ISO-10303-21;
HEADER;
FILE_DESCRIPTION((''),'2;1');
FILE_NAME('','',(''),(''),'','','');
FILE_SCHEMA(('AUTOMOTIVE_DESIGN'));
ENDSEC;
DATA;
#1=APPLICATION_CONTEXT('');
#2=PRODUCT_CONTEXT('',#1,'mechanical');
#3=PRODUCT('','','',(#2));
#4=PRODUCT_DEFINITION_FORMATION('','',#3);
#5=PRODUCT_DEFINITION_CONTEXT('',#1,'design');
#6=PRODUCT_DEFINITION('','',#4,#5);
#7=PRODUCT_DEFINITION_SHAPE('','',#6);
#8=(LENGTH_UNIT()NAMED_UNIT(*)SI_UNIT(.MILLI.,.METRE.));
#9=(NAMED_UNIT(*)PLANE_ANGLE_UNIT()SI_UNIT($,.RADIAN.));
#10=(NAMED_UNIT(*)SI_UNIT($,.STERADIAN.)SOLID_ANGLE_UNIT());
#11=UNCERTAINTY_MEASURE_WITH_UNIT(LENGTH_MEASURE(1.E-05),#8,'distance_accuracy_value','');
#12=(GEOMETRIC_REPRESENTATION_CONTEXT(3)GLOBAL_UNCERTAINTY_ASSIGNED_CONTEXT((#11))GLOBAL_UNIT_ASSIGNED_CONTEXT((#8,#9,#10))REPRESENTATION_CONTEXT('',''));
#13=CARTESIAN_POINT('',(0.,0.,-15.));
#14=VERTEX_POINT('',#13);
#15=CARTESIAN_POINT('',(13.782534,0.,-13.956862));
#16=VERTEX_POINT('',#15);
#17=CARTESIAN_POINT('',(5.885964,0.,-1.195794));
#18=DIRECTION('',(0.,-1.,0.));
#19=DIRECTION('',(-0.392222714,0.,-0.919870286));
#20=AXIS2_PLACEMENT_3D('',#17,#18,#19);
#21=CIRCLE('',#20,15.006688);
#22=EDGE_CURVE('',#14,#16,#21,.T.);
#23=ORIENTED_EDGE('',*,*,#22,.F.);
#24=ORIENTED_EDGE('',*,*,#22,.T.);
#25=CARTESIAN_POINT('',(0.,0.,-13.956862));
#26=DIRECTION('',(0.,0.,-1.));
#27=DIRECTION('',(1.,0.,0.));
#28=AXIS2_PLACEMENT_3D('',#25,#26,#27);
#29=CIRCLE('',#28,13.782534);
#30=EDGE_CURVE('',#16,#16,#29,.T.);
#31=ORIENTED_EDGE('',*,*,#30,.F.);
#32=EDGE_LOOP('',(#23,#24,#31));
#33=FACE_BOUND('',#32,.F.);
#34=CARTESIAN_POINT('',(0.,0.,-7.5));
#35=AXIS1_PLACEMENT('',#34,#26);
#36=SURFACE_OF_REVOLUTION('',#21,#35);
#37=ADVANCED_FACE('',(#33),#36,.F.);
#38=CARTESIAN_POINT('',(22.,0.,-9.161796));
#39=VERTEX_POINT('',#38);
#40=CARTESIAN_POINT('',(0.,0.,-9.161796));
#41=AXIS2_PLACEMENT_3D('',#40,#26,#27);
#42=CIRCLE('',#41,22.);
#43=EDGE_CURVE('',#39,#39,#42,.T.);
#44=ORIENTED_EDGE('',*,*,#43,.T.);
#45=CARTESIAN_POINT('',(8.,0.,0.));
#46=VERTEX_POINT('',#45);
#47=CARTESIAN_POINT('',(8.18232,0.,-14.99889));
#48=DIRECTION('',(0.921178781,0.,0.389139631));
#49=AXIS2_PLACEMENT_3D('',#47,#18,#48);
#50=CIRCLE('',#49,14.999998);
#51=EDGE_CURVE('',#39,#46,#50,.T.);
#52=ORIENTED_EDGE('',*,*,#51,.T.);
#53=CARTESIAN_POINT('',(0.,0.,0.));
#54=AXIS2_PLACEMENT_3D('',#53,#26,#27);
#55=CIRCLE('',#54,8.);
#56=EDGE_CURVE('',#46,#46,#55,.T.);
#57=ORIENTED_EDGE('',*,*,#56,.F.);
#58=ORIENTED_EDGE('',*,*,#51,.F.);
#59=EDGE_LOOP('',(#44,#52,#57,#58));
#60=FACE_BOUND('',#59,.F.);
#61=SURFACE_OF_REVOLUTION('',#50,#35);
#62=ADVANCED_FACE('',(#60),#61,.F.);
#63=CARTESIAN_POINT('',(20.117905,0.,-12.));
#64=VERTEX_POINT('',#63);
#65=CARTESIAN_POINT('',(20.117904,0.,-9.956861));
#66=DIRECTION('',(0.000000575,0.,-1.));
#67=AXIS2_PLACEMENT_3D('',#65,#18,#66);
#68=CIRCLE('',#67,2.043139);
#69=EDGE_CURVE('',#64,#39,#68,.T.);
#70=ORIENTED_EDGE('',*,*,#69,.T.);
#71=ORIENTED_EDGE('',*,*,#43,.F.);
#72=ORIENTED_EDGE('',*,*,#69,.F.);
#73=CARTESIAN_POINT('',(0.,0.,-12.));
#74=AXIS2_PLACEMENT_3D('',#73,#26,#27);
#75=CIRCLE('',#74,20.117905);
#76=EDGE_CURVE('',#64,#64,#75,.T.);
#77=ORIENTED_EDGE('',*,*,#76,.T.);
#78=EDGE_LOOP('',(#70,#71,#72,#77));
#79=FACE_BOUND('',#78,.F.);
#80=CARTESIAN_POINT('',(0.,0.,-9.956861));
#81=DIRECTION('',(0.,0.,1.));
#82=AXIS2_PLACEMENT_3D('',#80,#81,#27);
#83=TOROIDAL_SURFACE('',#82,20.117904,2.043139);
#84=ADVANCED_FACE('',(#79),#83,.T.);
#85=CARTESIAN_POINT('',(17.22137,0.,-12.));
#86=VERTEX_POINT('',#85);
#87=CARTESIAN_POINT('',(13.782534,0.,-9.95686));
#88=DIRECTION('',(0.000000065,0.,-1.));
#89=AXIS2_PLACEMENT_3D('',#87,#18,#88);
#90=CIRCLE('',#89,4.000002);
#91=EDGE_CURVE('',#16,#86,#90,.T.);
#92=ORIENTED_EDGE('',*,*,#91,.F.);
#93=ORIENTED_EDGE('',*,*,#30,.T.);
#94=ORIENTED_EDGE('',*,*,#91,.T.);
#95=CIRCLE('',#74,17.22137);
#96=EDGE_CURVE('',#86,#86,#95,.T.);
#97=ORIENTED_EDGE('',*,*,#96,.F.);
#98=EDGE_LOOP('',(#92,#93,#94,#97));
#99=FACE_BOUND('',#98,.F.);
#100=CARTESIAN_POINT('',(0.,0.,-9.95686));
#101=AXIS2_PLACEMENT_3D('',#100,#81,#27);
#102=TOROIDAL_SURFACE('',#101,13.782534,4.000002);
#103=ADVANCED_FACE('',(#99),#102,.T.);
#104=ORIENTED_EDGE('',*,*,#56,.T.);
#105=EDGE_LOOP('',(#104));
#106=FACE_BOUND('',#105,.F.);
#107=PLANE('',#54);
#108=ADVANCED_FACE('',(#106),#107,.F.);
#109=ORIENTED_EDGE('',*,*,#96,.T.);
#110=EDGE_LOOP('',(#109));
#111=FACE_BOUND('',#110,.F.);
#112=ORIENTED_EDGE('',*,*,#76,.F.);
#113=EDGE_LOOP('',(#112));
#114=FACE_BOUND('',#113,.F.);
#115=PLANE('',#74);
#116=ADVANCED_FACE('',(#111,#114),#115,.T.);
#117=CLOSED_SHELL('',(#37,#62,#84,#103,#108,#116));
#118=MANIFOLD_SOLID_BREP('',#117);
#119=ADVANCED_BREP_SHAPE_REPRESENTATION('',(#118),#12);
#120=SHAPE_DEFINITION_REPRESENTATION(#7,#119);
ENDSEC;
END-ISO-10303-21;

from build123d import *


with BuildPart() as f1:
    # F0 (on Front) → F1 (revolve)
    with BuildSketch(Plane.XZ):
        with BuildLine():
            ThreePointArc((20.117905, -12), (21.820673, -11.086017), (22, -9.161796))
            ThreePointArc((22, -9.161796), (16.396052, -2.447613), (8, 0))
            Line((8, 0), (0, 0))
            Line((0, 0), (0, -15))
            ThreePointArc((0, -15), (7.018514, -16.159684), (13.782534, -13.956862))
            ThreePointArc((13.782534, -13.956862), (15.760848, -13.433394), (17.22137, -12))
            Line((17.22137, -12), (20.117905, -12))
        make_face()
    revolve(axis=Axis((0, 0, -7.5), (0, 0, -1)))


solid = f1.part
